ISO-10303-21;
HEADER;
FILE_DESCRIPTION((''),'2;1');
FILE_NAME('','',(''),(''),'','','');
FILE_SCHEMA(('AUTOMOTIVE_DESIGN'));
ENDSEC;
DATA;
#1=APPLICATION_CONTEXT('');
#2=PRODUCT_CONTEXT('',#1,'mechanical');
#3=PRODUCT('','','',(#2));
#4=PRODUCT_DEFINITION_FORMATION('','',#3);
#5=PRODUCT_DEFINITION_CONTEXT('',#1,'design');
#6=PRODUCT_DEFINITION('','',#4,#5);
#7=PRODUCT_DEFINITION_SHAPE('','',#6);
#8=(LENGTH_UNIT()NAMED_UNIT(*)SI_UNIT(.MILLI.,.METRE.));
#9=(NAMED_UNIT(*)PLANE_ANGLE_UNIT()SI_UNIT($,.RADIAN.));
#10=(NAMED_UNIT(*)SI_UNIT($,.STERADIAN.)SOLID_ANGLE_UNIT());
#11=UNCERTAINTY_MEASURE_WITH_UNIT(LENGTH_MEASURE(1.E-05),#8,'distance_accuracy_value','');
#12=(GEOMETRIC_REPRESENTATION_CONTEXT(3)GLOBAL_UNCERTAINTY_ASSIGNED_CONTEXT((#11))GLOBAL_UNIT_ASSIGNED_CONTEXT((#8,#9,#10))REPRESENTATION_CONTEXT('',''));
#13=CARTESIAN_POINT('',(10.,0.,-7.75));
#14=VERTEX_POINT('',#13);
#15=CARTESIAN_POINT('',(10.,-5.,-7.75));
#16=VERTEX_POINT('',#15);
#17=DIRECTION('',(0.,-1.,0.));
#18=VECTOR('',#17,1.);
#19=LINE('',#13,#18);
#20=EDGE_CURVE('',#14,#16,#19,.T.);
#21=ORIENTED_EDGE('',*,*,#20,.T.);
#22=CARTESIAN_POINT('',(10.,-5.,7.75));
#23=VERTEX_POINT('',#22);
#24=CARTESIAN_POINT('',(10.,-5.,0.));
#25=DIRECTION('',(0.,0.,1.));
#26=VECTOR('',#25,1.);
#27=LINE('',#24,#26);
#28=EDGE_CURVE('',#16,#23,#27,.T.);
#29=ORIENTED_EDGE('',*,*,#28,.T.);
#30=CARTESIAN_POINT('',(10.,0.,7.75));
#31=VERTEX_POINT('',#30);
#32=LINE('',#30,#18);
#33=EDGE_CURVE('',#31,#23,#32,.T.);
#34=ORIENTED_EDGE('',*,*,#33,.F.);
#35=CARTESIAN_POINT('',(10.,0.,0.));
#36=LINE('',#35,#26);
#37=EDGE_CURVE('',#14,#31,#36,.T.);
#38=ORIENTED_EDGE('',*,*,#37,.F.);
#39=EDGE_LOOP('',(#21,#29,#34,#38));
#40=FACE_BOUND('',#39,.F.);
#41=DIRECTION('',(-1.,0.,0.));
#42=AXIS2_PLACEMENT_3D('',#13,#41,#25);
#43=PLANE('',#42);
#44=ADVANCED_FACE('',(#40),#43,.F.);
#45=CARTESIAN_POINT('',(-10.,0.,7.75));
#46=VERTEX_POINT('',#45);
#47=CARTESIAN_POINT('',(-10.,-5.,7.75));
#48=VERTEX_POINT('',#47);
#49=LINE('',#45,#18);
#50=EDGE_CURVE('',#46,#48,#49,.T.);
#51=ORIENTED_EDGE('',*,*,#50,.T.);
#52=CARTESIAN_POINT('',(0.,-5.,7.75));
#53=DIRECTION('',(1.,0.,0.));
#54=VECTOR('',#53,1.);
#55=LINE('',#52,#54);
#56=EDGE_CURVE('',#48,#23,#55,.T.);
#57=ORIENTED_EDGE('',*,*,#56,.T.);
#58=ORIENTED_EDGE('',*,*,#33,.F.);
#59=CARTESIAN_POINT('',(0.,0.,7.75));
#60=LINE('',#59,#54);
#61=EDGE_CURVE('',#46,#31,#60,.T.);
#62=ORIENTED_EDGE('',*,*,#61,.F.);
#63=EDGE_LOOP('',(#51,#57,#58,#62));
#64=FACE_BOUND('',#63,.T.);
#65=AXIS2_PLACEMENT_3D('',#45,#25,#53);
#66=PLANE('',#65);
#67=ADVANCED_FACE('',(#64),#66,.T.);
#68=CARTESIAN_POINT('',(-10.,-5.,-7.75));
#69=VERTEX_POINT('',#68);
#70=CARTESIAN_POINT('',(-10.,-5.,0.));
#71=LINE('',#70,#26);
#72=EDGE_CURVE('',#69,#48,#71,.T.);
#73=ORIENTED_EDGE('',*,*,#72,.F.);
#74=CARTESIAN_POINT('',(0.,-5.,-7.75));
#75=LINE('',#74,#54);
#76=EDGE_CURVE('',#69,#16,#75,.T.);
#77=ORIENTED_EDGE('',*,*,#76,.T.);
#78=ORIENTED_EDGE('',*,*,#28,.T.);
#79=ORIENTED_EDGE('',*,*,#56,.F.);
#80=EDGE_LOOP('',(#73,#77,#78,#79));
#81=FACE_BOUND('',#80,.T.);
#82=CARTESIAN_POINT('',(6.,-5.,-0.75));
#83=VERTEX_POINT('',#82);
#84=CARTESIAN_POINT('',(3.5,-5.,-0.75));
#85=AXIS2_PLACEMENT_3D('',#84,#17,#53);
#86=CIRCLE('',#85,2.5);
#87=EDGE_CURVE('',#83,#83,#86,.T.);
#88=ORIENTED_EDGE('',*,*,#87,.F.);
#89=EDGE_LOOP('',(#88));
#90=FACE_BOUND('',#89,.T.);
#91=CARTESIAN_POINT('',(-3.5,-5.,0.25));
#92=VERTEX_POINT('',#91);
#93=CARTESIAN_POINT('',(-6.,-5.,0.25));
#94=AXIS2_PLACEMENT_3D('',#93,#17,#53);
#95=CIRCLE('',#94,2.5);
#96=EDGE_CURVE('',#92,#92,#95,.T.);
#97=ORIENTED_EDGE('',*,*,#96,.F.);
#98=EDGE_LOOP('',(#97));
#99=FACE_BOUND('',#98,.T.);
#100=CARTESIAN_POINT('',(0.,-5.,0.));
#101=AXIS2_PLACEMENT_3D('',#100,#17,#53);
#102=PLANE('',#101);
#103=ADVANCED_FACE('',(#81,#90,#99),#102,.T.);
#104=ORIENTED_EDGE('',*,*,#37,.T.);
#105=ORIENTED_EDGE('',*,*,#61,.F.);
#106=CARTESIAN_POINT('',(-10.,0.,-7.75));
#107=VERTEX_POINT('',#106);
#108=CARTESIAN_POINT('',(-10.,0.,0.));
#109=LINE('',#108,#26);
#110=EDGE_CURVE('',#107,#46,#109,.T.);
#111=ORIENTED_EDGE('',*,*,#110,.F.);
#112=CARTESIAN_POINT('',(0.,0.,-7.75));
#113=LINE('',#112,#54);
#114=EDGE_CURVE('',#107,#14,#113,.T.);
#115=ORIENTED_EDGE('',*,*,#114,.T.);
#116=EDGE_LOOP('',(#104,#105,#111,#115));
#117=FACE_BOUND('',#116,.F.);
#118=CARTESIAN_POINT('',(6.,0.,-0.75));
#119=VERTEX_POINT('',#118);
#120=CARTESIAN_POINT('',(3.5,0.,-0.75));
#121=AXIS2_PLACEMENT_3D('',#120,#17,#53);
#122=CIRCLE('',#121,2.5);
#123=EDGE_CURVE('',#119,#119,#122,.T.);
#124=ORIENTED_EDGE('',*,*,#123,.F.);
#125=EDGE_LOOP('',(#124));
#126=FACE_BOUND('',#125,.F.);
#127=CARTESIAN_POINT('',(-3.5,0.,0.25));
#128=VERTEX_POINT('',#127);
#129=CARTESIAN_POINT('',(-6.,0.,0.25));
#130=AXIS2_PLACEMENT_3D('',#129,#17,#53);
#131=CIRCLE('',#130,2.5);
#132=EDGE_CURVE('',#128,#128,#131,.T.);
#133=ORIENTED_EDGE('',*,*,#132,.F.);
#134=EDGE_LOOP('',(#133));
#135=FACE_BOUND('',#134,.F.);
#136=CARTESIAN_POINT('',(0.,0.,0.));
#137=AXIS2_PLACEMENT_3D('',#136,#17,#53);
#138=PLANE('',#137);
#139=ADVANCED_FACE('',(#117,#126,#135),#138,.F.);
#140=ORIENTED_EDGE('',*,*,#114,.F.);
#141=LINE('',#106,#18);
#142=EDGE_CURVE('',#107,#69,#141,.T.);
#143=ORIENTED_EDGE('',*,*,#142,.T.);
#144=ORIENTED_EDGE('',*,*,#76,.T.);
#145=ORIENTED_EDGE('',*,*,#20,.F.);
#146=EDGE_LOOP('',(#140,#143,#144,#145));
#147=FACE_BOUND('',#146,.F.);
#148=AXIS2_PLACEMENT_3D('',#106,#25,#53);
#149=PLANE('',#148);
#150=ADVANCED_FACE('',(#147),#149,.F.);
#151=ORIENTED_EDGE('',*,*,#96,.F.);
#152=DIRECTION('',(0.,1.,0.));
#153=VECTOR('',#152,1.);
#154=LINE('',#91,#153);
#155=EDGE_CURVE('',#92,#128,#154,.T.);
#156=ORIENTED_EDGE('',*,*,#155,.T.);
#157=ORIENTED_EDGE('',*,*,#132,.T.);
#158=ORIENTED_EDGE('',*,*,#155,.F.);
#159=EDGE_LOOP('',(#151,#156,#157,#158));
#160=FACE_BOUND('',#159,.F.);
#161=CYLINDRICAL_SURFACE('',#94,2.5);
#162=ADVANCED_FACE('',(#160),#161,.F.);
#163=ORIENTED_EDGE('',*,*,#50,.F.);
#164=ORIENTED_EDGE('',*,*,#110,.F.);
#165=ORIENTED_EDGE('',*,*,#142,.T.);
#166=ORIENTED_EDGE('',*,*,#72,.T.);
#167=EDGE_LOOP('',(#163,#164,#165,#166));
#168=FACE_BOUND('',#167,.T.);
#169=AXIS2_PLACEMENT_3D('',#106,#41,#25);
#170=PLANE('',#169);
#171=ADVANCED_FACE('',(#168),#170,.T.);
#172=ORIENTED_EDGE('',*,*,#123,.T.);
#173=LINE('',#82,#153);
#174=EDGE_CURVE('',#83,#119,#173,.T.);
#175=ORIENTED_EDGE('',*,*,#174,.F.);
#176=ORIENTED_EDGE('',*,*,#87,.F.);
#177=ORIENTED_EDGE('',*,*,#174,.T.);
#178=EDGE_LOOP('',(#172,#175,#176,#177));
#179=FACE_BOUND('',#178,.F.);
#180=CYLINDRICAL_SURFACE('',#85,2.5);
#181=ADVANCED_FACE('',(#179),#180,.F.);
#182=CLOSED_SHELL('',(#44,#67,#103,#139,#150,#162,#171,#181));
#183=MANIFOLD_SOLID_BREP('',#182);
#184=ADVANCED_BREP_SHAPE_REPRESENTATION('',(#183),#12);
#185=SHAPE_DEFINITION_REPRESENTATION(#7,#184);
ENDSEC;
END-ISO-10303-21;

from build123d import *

# Parameters (mm, degrees)
F0_W     = 20
F0_H     = 15.5
F1_DEPTH = 5
F2_R     = 2.5
F3_DEPTH = 25
F4_DEPTH = 25


with BuildPart() as f1:
    # F0 (on Front) → F1 (new body)
    with BuildSketch(Plane.XZ):
        Rectangle(F0_W, F0_H)
    extrude(amount=F1_DEPTH)

    # F2 (on face) → F3 (cut)
    with BuildSketch(Plane.XZ.offset(5)):
        with Locations((-6, 0.25)):
            Circle(F2_R)
    extrude(amount=-F3_DEPTH, mode=Mode.SUBTRACT)

    # F2 (on face) → F4 (cut)
    with BuildSketch(Plane.XZ.offset(5)):
        with Locations((3.5, -0.75)):
            Circle(F2_R)
    extrude(amount=-F4_DEPTH, mode=Mode.SUBTRACT)


solid = f1.part
